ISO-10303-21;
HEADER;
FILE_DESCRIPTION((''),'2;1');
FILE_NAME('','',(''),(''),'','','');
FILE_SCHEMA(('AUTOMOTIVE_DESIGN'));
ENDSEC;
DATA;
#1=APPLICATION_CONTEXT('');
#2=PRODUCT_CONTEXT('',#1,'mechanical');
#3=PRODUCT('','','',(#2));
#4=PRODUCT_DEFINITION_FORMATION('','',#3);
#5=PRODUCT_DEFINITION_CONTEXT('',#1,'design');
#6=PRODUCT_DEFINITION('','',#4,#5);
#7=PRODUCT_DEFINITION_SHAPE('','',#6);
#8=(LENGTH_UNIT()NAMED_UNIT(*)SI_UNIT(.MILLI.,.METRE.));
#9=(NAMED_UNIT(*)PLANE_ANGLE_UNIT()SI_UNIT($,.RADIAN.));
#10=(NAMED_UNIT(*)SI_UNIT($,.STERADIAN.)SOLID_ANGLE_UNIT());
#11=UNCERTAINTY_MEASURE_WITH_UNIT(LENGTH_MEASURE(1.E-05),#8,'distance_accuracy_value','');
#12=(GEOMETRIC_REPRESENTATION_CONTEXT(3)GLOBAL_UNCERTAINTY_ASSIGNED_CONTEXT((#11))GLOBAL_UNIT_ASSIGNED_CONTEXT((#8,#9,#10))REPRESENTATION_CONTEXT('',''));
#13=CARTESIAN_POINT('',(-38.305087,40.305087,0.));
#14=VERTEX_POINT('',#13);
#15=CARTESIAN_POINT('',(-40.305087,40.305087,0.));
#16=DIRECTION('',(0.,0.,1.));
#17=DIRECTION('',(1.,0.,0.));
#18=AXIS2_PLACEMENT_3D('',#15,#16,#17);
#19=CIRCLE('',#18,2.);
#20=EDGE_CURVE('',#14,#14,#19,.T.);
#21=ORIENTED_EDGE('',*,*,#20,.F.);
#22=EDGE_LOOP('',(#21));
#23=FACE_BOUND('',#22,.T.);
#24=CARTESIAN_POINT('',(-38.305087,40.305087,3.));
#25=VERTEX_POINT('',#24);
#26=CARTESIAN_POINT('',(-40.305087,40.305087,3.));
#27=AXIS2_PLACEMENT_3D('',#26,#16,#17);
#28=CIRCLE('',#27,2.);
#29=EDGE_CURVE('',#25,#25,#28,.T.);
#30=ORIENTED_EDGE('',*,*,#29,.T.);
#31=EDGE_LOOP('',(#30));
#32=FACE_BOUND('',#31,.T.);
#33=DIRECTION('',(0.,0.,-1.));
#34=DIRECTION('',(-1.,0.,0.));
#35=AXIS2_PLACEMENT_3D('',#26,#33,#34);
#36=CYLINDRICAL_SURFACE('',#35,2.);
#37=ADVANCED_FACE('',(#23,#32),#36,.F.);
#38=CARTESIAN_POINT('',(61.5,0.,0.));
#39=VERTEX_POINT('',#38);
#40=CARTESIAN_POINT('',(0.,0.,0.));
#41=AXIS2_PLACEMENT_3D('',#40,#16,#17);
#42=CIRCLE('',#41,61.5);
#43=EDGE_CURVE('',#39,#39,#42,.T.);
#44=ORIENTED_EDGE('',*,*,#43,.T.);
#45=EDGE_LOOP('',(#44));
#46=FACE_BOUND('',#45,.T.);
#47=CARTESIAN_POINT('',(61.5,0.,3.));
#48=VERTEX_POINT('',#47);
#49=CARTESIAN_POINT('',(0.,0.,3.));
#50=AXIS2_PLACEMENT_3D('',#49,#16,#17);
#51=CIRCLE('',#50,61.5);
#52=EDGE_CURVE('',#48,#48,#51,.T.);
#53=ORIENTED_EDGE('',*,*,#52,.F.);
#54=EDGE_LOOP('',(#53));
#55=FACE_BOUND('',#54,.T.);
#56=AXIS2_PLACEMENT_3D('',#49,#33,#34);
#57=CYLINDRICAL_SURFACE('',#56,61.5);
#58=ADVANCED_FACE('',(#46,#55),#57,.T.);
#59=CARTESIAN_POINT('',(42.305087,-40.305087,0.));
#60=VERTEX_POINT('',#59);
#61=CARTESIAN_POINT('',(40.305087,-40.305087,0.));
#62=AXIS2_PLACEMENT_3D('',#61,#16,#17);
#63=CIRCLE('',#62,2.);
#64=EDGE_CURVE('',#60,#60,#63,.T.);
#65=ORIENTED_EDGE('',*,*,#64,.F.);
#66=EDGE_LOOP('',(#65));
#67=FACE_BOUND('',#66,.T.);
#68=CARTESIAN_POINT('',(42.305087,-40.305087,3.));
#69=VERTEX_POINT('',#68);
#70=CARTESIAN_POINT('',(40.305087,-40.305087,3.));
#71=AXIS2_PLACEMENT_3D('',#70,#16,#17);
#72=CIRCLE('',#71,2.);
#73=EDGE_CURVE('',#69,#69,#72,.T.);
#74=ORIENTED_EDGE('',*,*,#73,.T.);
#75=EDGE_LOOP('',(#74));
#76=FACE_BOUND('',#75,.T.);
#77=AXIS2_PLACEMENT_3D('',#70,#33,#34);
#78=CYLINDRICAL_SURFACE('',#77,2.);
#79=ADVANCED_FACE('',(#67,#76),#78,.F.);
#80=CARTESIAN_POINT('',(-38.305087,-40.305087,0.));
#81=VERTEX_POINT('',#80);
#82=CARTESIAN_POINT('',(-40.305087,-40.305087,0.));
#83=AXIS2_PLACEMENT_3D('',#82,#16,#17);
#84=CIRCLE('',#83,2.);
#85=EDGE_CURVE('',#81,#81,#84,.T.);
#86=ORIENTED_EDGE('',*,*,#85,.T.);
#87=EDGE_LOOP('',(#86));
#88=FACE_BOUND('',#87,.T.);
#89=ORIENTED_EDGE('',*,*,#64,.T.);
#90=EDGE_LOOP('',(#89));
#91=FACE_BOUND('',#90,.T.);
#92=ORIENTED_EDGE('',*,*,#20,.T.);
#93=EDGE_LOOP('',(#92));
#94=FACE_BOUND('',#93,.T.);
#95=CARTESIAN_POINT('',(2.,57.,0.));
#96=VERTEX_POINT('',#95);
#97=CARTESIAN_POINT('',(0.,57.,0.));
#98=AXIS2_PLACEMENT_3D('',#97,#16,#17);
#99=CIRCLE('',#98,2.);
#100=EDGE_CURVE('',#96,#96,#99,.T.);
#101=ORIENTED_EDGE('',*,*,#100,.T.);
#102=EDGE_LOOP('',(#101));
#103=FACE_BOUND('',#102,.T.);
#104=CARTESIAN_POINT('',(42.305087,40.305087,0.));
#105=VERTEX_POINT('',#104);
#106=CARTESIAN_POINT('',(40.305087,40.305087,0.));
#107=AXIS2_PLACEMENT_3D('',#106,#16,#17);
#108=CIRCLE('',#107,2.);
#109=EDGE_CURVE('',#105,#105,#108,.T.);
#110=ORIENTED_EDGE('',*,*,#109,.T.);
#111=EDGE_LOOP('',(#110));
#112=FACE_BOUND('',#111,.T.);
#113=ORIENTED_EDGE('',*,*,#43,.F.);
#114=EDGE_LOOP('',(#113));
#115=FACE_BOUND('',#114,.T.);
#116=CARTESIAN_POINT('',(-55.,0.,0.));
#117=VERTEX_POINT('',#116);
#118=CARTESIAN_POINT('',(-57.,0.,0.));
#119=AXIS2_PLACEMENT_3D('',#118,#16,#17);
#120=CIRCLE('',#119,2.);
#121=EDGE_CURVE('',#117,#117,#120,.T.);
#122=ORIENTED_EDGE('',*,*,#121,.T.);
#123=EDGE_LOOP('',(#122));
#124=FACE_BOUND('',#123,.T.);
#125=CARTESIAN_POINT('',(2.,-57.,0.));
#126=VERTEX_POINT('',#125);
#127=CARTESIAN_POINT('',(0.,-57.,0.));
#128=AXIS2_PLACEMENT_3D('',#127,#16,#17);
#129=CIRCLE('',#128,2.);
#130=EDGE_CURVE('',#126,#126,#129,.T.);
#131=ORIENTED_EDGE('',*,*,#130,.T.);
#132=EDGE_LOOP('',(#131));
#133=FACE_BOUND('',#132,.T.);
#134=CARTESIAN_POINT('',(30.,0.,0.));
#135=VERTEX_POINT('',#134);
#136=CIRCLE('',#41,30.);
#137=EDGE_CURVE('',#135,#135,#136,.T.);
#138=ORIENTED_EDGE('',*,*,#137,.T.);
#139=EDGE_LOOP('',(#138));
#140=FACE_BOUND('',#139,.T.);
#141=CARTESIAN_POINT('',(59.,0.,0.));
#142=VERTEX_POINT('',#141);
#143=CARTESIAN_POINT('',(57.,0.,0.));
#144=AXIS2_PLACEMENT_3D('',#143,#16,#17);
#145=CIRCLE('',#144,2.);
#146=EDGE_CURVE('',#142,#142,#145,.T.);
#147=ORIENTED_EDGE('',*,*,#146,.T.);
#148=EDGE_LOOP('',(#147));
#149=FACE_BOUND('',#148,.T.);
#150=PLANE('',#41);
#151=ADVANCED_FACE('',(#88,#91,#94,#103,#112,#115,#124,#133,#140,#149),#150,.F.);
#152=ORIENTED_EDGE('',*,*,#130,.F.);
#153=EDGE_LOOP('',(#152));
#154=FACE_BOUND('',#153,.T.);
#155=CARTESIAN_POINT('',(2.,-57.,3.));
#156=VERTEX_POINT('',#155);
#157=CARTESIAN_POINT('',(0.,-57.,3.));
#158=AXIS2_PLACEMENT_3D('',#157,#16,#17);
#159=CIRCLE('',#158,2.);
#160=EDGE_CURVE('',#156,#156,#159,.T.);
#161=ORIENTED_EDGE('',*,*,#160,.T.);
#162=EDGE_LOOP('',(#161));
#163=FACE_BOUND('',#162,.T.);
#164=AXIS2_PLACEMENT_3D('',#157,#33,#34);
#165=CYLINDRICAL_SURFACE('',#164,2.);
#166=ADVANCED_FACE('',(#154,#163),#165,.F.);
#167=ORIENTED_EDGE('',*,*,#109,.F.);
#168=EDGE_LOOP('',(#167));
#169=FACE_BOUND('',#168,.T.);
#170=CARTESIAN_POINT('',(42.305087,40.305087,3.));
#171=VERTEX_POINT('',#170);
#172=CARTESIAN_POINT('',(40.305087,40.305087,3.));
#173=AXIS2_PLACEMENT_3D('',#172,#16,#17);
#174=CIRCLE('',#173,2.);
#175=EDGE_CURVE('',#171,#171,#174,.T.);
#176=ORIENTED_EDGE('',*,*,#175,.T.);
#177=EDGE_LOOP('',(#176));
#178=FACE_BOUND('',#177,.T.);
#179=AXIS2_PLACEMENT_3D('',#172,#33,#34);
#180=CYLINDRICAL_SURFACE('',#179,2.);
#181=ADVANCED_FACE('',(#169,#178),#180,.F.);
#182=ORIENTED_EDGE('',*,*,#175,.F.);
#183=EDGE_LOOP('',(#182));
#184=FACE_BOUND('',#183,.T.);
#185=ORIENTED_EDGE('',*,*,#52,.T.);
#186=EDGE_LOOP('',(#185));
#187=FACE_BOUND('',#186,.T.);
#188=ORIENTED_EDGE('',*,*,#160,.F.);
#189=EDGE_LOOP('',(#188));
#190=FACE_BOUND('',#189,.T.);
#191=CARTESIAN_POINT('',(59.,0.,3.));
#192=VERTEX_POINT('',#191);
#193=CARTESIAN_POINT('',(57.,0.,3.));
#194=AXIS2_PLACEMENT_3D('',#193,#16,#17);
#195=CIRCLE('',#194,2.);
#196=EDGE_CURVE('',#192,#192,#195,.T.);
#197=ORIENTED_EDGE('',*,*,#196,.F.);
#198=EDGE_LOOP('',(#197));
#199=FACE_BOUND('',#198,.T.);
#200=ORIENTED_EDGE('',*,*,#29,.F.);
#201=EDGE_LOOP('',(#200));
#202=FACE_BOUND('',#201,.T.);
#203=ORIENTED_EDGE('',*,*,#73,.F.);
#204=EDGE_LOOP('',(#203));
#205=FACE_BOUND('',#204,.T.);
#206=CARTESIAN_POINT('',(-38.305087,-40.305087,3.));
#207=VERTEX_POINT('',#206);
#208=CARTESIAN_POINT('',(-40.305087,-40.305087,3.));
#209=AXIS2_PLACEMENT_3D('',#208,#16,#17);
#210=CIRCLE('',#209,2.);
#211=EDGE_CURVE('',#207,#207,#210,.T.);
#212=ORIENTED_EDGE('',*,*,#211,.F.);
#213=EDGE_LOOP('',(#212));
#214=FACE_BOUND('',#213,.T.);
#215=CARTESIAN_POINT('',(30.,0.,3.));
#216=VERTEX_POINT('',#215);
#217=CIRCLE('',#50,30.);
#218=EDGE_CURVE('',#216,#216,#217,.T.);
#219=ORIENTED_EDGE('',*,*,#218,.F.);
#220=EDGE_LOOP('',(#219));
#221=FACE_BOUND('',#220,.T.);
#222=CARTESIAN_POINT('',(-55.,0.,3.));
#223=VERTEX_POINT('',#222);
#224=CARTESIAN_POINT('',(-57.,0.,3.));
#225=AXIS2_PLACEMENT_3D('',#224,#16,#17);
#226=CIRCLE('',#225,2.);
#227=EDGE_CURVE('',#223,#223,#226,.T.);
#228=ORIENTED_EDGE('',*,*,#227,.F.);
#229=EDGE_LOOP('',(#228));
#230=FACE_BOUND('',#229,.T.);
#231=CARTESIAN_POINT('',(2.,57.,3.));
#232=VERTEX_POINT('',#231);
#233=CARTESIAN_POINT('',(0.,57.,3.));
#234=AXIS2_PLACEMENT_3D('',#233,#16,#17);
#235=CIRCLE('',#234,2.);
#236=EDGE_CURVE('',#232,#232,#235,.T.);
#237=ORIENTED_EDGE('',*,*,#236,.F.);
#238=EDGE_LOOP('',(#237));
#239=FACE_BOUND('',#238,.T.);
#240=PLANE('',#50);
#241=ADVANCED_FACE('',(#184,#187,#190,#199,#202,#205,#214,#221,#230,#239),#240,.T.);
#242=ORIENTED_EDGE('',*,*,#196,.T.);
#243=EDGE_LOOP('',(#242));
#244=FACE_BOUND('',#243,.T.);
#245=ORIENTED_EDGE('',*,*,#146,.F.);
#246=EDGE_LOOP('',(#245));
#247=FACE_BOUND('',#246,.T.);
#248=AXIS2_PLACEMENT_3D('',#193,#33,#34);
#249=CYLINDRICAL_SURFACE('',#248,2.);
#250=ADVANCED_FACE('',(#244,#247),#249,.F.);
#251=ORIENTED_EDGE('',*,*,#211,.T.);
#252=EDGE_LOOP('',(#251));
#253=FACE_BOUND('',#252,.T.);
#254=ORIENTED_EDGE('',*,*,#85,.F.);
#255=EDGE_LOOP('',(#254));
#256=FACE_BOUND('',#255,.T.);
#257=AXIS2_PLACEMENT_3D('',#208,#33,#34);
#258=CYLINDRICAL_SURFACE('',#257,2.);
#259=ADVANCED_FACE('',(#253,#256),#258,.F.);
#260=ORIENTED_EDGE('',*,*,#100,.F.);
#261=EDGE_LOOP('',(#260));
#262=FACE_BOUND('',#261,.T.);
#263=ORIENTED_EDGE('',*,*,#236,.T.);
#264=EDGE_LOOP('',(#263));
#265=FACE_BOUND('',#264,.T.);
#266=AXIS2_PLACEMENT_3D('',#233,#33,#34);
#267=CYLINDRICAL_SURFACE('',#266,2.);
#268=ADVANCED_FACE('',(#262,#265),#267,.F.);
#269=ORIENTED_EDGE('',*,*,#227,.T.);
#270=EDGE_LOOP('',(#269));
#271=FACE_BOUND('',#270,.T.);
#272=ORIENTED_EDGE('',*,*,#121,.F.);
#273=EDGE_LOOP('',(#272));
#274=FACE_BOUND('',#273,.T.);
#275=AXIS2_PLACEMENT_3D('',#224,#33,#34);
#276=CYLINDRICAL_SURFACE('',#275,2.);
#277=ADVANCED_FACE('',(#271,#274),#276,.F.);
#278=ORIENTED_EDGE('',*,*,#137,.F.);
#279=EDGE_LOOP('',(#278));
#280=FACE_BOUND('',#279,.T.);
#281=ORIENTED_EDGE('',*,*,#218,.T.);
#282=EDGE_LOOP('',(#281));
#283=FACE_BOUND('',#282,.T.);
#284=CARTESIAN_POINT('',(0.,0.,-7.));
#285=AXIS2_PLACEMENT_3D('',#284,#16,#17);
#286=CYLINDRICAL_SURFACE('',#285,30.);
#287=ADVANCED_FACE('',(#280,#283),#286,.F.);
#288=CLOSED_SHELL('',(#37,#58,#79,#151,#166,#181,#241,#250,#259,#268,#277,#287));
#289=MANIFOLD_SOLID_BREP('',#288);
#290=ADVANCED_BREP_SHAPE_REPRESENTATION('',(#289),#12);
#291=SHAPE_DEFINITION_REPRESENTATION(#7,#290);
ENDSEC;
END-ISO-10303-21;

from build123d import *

# Parameters (mm, degrees)
SKETCH_1_R          = 61.5
SKETCH_1_R_2        = 2
SKETCH_1_R_3        = 2.6
SKETCH_1_R_4        = 15.5
EXTRUDE_1_DEPTH     = 3
SKETCH_2_R          = 30
CUT_EXTRUDE_1_DEPTH = 10


with BuildPart() as part:
    # 草图1 → 凸台-拉伸1 (new body)
    with BuildSketch(Plane.XY):
        Circle(SKETCH_1_R)
        with Locations((0, -57)):
            Circle(SKETCH_1_R_2, mode=Mode.SUBTRACT)
        with Locations((-40.305086528, -40.305086528)):
            Circle(SKETCH_1_R_2, mode=Mode.SUBTRACT)
        with Locations((-57, 0)):
            Circle(SKETCH_1_R_2, mode=Mode.SUBTRACT)
        with Locations((-40.305086528, 40.305086528)):
            Circle(SKETCH_1_R_2, mode=Mode.SUBTRACT)
        with Locations((0, -23.75)):
            Circle(SKETCH_1_R_3, mode=Mode.SUBTRACT)
        with Locations((-20.56810334, 11.875)):
            Circle(SKETCH_1_R_3, mode=Mode.SUBTRACT)
        with Locations((20.56810334, 11.875)):
            Circle(SKETCH_1_R_3, mode=Mode.SUBTRACT)
        with Locations((19.485571585, -11.25)):
            Circle(SKETCH_1_R_3, mode=Mode.SUBTRACT)
        with Locations((-19.485571585, -11.25)):
            Circle(SKETCH_1_R_3, mode=Mode.SUBTRACT)
        with Locations((0, 22.5)):
            Circle(SKETCH_1_R_3, mode=Mode.SUBTRACT)
        Circle(SKETCH_1_R_4, mode=Mode.SUBTRACT)
        with Locations((0, 57)):
            Circle(SKETCH_1_R_2, mode=Mode.SUBTRACT)
        with Locations((40.305086528, 40.305086528)):
            Circle(SKETCH_1_R_2, mode=Mode.SUBTRACT)
        with Locations((57, 0)):
            Circle(SKETCH_1_R_2, mode=Mode.SUBTRACT)
        with Locations((40.305086528, -40.305086528)):
            Circle(SKETCH_1_R_2, mode=Mode.SUBTRACT)
    extrude(amount=EXTRUDE_1_DEPTH)

    # 草图2 → 切除-拉伸1 (cut)
    with BuildSketch(Plane.XY.offset(3)):
        Circle(SKETCH_2_R)
    extrude(amount=-CUT_EXTRUDE_1_DEPTH, mode=Mode.SUBTRACT)


solid = part.part
